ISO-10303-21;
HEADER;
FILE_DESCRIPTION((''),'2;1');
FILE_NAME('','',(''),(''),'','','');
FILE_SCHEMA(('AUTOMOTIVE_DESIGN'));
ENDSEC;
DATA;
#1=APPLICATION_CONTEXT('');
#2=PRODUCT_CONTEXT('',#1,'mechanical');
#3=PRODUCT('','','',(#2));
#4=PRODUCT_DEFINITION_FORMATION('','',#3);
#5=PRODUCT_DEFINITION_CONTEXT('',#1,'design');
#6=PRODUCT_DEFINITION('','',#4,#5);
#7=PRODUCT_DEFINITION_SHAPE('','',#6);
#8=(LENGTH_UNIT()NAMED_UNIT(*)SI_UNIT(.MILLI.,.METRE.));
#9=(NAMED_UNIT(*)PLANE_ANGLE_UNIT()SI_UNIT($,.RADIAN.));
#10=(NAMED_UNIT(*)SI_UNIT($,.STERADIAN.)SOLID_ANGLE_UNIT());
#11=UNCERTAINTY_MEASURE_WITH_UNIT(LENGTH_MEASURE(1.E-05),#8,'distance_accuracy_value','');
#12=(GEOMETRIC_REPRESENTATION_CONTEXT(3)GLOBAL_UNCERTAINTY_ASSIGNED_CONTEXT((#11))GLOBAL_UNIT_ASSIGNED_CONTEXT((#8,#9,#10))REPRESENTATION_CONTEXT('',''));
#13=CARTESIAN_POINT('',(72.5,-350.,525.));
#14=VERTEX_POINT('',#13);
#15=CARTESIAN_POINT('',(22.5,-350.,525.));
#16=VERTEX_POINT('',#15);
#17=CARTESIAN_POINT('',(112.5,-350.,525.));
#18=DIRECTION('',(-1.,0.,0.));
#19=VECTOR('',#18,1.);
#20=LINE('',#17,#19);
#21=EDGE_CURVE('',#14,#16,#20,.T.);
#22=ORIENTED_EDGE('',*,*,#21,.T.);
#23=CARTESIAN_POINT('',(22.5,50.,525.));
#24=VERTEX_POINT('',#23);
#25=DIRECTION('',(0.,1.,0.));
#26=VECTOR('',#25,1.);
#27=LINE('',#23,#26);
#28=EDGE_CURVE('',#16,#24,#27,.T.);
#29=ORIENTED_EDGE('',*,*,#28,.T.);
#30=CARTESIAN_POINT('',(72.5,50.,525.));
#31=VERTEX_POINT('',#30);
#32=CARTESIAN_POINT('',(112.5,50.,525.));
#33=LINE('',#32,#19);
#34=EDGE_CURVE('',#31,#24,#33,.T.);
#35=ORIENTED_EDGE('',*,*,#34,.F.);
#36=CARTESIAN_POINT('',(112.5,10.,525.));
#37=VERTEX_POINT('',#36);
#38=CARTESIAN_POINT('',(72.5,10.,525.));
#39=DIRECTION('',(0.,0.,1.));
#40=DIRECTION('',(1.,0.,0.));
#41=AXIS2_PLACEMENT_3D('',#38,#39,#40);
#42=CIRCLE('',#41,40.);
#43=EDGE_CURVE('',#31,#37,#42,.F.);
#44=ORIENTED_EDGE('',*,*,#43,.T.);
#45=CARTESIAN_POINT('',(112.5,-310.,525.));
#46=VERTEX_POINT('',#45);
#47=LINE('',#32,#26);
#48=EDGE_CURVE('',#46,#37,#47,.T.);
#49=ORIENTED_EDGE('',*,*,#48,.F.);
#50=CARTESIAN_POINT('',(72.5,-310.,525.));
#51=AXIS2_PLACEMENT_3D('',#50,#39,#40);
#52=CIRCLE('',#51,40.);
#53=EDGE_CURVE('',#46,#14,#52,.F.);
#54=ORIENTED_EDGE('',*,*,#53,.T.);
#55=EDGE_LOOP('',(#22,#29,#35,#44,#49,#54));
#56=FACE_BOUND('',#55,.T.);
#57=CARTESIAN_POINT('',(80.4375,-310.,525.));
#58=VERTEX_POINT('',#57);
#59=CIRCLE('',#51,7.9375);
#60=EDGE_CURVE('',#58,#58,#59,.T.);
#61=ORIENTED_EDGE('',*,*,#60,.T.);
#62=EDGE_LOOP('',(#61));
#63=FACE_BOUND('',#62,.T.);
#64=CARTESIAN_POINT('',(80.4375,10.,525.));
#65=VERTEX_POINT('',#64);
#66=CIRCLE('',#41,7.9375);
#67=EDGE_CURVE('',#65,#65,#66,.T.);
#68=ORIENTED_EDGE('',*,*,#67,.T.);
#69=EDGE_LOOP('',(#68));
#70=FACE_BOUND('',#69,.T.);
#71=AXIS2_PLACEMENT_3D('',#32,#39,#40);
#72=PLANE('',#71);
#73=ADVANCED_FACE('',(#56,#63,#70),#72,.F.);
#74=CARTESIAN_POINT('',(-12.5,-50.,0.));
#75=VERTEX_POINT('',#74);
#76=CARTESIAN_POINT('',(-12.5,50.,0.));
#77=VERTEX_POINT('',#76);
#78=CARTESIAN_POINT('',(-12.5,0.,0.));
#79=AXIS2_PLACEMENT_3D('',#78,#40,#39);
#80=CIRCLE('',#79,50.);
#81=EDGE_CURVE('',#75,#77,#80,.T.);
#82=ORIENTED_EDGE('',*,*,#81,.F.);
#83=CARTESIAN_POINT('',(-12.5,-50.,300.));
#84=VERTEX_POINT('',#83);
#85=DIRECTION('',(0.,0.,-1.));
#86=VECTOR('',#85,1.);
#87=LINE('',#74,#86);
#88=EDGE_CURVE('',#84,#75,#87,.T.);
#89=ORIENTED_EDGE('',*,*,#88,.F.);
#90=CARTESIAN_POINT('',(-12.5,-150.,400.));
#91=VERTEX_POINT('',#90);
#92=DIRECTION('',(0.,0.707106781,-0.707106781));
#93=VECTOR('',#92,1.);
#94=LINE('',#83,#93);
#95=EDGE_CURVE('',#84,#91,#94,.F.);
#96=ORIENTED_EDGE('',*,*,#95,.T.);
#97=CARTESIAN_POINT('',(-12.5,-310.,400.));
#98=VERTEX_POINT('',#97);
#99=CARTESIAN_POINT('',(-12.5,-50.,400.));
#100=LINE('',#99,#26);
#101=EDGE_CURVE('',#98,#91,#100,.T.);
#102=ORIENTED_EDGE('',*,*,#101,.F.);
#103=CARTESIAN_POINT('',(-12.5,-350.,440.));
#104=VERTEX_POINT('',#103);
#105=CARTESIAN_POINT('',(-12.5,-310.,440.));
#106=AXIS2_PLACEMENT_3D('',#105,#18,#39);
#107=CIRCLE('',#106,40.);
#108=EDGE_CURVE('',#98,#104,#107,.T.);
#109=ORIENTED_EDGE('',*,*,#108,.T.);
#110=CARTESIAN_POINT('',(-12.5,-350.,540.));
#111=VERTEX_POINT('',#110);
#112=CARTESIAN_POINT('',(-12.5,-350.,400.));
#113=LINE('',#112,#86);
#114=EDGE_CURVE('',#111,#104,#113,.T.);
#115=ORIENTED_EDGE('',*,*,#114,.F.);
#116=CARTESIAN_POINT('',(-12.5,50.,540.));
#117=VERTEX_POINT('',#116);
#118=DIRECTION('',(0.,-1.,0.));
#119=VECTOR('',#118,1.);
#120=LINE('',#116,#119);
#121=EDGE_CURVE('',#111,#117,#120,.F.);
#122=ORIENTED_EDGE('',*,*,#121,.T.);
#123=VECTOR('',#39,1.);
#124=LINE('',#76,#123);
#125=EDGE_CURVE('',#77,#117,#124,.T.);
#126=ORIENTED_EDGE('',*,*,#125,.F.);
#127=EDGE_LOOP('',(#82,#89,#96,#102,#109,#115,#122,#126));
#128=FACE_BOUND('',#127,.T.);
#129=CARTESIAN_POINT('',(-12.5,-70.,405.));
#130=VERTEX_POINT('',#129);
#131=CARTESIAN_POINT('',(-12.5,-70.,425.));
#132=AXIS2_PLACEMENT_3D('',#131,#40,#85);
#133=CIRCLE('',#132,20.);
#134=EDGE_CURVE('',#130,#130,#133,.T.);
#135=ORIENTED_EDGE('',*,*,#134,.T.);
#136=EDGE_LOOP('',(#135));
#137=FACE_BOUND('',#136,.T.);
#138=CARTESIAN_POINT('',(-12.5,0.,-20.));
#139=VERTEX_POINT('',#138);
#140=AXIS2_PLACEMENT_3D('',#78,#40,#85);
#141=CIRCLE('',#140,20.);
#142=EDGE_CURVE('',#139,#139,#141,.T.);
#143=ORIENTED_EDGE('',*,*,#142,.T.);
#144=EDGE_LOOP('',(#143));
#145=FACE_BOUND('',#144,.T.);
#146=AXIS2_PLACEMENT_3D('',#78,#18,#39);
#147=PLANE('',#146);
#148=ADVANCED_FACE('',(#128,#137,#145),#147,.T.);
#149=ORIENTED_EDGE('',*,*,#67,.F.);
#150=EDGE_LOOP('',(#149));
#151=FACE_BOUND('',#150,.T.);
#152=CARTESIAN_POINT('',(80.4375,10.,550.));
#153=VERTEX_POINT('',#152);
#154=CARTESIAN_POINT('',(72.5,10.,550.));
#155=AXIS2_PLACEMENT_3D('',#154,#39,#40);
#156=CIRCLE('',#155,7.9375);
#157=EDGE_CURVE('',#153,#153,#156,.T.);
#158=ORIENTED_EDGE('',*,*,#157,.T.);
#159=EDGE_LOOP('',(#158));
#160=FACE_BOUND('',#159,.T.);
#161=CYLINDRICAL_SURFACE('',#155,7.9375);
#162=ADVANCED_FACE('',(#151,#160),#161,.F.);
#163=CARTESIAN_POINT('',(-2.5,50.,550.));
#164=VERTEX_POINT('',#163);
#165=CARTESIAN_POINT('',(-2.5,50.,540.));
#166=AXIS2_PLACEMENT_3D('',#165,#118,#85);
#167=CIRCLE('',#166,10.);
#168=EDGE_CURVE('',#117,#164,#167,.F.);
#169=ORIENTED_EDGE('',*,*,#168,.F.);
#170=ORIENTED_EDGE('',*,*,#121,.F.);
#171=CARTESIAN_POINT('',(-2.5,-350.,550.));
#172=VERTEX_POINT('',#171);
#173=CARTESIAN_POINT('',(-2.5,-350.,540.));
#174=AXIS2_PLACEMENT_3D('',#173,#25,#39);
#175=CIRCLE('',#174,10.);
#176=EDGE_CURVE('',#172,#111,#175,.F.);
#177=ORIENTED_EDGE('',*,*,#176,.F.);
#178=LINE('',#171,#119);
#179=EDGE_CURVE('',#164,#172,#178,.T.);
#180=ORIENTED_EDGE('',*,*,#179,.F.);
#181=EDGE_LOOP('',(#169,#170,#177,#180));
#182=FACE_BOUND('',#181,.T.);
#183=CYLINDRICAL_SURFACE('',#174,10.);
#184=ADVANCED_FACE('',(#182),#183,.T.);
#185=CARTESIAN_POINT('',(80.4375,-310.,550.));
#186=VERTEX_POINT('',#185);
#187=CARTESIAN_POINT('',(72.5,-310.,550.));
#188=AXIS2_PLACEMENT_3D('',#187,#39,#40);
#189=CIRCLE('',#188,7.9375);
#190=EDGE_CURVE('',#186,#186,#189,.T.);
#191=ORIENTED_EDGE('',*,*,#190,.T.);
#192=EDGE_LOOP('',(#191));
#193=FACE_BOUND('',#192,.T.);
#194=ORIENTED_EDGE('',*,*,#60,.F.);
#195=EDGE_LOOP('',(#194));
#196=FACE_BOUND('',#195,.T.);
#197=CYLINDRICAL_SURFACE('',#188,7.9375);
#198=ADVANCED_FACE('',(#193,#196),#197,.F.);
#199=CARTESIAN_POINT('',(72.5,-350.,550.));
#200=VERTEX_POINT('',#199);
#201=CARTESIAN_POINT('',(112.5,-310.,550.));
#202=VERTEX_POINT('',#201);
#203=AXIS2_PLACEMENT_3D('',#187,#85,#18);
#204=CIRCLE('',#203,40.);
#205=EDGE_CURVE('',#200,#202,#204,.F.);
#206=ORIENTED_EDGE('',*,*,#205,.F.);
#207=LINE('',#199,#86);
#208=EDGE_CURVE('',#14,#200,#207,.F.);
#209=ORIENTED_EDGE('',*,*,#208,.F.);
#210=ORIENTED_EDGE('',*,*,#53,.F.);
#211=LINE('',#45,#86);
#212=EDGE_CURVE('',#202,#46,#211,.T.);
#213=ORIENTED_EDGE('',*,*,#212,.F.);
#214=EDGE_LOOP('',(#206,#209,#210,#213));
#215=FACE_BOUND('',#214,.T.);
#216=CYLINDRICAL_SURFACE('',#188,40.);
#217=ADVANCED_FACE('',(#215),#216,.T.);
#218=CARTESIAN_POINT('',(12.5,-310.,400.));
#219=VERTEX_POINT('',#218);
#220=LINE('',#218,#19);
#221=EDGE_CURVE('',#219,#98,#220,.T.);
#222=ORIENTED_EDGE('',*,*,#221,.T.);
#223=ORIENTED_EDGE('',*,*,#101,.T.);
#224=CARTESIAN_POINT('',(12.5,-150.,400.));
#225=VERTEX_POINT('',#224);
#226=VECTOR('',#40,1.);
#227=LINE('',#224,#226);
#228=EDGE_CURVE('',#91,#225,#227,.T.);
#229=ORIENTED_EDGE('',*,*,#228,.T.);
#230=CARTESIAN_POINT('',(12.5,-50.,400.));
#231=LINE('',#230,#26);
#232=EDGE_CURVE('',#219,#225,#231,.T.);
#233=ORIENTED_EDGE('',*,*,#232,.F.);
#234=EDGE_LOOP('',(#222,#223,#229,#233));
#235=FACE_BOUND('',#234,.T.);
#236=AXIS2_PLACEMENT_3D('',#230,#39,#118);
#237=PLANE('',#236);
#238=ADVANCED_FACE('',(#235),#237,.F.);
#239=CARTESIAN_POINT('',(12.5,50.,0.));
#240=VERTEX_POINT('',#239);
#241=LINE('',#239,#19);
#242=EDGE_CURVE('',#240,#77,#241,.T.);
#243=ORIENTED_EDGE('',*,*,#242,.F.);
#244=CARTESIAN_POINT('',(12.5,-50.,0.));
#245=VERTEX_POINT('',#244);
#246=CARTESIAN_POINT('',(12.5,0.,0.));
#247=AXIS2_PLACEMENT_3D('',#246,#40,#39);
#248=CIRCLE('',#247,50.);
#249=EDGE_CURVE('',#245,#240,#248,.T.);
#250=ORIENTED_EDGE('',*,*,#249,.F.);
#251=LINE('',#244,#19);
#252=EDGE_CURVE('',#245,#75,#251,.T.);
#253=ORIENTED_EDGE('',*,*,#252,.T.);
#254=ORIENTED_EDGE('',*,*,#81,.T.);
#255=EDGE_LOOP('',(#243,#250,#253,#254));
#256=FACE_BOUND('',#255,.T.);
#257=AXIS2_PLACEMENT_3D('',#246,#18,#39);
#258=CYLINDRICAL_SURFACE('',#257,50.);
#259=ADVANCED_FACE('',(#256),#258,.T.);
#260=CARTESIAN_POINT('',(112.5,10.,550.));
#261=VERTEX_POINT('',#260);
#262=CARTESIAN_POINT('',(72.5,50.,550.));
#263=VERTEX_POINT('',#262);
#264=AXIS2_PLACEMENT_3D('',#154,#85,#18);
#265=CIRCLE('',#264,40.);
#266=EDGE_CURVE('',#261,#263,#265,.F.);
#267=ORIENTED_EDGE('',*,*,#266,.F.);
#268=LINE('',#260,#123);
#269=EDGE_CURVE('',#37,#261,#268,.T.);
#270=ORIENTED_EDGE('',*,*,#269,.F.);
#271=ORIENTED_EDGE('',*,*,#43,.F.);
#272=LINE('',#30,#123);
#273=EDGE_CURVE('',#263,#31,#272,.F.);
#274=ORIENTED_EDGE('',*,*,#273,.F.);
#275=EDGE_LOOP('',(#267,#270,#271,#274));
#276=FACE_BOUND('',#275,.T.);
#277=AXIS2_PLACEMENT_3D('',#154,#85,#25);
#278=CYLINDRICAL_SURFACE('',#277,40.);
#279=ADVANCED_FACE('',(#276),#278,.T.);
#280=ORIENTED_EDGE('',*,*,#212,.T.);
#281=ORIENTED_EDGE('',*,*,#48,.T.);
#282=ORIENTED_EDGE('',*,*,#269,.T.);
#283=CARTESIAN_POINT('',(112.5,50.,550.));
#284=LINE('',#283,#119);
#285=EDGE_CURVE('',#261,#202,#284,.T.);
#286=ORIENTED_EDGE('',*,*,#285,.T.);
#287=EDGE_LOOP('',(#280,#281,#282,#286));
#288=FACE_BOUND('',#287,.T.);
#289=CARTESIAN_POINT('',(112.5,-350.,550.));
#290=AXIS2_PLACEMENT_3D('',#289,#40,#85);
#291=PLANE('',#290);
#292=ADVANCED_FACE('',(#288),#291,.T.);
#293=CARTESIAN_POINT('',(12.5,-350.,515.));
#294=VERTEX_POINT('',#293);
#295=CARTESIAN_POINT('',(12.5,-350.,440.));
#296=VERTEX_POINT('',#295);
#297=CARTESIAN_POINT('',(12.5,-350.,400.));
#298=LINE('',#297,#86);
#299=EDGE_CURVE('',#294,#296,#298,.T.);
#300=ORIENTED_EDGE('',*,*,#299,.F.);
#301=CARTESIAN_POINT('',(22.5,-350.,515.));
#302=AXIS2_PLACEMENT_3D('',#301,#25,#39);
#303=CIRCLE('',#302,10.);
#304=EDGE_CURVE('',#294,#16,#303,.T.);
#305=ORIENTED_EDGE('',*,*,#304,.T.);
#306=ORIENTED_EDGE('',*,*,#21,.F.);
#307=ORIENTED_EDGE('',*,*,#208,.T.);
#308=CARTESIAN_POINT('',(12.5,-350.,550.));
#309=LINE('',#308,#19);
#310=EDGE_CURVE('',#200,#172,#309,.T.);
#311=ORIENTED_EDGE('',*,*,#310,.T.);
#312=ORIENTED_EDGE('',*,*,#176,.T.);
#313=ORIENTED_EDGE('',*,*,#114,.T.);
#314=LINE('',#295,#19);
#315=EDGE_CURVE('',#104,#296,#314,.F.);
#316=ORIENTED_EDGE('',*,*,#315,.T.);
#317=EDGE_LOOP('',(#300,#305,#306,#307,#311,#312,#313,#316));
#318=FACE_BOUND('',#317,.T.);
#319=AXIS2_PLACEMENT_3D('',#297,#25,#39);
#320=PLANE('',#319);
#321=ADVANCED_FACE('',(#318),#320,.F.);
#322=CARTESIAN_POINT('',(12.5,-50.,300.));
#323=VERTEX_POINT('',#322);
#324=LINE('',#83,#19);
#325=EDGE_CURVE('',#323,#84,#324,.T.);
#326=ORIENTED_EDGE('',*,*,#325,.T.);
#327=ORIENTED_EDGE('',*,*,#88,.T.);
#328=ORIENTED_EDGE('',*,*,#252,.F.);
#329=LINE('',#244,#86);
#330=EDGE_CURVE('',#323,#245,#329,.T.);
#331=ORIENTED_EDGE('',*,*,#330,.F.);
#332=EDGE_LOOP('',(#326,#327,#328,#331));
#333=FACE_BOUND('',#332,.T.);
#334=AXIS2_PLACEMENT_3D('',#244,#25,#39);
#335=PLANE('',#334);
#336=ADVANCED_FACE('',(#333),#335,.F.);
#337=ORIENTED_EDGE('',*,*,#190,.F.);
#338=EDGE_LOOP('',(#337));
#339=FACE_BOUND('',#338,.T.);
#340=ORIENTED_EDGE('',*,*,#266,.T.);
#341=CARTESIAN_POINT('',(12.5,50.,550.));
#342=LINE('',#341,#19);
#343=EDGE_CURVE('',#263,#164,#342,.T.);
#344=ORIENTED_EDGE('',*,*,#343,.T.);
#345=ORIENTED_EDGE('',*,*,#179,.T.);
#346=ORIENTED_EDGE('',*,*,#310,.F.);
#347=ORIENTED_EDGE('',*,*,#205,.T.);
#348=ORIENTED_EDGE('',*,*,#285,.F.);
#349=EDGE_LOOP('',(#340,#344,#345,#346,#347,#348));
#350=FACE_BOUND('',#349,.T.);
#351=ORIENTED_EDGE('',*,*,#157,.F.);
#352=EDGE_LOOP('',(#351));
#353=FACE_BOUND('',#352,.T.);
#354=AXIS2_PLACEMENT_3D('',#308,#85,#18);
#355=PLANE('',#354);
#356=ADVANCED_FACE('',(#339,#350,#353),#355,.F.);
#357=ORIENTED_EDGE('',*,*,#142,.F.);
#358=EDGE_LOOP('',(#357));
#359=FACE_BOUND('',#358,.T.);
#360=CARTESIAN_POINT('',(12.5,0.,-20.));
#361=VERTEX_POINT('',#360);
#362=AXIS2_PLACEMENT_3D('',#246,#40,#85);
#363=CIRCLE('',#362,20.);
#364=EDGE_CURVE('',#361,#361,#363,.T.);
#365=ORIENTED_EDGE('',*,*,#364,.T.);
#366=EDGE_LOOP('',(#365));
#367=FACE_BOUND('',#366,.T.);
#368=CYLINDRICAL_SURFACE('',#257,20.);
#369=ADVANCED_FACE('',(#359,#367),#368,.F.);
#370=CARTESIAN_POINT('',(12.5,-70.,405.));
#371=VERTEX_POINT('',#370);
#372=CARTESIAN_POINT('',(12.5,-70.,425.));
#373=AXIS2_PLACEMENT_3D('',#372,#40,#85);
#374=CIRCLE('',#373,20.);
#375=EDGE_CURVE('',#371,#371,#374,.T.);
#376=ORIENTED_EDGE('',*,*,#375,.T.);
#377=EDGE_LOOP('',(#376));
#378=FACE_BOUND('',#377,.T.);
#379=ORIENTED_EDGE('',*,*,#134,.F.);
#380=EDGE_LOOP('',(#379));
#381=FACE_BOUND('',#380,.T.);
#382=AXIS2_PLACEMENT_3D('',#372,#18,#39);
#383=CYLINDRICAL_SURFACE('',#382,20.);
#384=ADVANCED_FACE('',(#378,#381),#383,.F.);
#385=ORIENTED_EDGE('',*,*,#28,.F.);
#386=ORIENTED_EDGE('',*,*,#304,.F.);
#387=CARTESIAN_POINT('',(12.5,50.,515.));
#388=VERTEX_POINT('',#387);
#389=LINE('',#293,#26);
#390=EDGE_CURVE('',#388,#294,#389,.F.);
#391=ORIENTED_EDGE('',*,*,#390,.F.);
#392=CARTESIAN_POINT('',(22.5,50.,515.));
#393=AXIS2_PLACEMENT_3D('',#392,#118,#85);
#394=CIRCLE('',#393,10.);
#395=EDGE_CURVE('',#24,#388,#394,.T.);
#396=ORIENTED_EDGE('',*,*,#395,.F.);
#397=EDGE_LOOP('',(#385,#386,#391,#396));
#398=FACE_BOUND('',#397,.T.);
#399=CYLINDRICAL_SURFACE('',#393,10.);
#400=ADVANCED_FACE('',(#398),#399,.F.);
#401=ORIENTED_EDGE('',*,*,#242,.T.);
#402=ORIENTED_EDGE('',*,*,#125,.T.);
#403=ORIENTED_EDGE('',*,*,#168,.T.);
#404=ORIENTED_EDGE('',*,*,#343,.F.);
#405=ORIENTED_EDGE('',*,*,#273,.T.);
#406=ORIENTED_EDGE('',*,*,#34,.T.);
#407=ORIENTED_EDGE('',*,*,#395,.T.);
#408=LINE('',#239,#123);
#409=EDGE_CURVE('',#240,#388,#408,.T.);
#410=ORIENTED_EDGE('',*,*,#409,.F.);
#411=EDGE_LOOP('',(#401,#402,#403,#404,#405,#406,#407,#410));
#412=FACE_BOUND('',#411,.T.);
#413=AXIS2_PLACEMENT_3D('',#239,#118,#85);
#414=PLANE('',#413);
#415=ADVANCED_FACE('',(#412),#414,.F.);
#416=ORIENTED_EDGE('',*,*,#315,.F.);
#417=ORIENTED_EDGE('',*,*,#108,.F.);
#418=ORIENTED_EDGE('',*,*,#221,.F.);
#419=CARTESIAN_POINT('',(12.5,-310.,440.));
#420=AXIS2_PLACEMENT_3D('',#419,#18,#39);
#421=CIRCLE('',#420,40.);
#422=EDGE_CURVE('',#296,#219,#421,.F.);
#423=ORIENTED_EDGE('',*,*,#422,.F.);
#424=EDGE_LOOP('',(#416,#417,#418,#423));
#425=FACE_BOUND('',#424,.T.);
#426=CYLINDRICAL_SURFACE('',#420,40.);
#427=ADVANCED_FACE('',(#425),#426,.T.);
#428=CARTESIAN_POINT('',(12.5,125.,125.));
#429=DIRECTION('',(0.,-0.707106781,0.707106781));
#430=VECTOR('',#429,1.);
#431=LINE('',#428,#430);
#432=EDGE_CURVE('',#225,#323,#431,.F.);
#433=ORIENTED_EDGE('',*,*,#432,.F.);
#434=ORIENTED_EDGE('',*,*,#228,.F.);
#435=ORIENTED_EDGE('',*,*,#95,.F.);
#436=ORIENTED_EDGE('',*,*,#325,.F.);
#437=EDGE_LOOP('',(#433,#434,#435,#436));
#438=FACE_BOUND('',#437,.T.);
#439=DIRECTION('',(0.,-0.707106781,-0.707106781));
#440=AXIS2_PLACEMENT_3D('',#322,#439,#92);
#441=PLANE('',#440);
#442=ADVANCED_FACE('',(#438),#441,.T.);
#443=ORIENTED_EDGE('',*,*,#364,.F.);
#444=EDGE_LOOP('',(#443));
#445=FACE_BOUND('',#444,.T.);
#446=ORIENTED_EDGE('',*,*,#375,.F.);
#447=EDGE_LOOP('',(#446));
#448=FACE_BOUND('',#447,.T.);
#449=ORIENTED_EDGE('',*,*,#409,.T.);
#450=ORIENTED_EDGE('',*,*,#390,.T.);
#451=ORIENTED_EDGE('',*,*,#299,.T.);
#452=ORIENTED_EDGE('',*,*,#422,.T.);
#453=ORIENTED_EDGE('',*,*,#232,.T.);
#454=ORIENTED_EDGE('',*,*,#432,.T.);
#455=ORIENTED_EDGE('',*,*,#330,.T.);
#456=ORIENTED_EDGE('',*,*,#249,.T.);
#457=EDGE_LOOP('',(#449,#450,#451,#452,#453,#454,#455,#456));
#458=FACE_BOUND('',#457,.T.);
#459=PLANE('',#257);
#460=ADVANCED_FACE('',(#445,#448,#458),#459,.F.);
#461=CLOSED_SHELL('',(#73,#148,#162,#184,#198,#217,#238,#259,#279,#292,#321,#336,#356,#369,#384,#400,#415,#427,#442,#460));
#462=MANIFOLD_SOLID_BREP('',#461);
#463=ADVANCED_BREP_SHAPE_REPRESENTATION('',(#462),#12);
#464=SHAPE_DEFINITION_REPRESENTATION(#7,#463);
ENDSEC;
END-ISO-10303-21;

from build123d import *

# Parameters (mm, degrees)
SKETCH1_R                    = 20
EXTRUDE1_DEPTH               = 12.5
SKETCH2_W                    = 25
SKETCH2_H                    = 400
EXTRUDE2_DEPTH               = 100
FILLET1_R                    = 40
F_5_8_0_625_DIAMETER_HOLE1_D = 15.875
CHAMFER1_SIZE                = 100
FILLET2_R                    = 10


with BuildPart() as part:
    # Sketch1 → Extrude1 (new, symmetric)
    with BuildSketch(Plane(origin=(0, 0, 0), x_dir=(0, 0, -1), z_dir=(1, 0, 0))):
        with BuildLine():
            Line((0, 50), (-550, 50))
            Line((-550, 50), (-550, -350))
            Line((-550, -350), (-400, -350))
            Line((-400, -350), (-400, -50))
            Line((-400, -50), (0, -50))
            ThreePointArc((0, -50), (50, 0), (0, 50))
        make_face()
        Circle(SKETCH1_R, mode=Mode.SUBTRACT)
        with Locations((-425, -70)):
            Circle(SKETCH1_R, mode=Mode.SUBTRACT)
    extrude(amount=EXTRUDE1_DEPTH, both=True)

    # Sketch2 → Extrude2 (add)
    with BuildSketch(Plane(origin=(12.5, 0, 0), x_dir=(0, 0, -1), z_dir=(1, 0, 0))):
        with Locations((-537.5, -150)):
            Rectangle(SKETCH2_W, SKETCH2_H)
    extrude(amount=EXTRUDE2_DEPTH)

    # Fillet1
    fillet1_edges = [part.edges().sort_by_distance(p)[0] for p in [
        (112.5, -350, 537.5),
        (112.5, 50, 537.5),
        (0, -350, 400),
    ]]
    fillet(fillet1_edges, radius=FILLET1_R)

    # 5/8 (0.625) Diameter Hole1 (through all)
    with Locations(Plane.XY.offset(550)):
        with Locations((72.5, 10), (72.5, -310)):
            Hole(F_5_8_0_625_DIAMETER_HOLE1_D / 2)

    # Chamfer1
    chamfer1_edges = [part.edges().sort_by_distance(p)[0] for p in [
        (0, -50, 400),
    ]]
    chamfer(chamfer1_edges, length=CHAMFER1_SIZE)

    # Fillet2
    fillet2_edges = [part.edges().sort_by_distance(p)[0] for p in [
        (12.5, -150, 525),
        (-12.5, -150, 550),
    ]]
    fillet(fillet2_edges, radius=FILLET2_R)


solid = part.part
